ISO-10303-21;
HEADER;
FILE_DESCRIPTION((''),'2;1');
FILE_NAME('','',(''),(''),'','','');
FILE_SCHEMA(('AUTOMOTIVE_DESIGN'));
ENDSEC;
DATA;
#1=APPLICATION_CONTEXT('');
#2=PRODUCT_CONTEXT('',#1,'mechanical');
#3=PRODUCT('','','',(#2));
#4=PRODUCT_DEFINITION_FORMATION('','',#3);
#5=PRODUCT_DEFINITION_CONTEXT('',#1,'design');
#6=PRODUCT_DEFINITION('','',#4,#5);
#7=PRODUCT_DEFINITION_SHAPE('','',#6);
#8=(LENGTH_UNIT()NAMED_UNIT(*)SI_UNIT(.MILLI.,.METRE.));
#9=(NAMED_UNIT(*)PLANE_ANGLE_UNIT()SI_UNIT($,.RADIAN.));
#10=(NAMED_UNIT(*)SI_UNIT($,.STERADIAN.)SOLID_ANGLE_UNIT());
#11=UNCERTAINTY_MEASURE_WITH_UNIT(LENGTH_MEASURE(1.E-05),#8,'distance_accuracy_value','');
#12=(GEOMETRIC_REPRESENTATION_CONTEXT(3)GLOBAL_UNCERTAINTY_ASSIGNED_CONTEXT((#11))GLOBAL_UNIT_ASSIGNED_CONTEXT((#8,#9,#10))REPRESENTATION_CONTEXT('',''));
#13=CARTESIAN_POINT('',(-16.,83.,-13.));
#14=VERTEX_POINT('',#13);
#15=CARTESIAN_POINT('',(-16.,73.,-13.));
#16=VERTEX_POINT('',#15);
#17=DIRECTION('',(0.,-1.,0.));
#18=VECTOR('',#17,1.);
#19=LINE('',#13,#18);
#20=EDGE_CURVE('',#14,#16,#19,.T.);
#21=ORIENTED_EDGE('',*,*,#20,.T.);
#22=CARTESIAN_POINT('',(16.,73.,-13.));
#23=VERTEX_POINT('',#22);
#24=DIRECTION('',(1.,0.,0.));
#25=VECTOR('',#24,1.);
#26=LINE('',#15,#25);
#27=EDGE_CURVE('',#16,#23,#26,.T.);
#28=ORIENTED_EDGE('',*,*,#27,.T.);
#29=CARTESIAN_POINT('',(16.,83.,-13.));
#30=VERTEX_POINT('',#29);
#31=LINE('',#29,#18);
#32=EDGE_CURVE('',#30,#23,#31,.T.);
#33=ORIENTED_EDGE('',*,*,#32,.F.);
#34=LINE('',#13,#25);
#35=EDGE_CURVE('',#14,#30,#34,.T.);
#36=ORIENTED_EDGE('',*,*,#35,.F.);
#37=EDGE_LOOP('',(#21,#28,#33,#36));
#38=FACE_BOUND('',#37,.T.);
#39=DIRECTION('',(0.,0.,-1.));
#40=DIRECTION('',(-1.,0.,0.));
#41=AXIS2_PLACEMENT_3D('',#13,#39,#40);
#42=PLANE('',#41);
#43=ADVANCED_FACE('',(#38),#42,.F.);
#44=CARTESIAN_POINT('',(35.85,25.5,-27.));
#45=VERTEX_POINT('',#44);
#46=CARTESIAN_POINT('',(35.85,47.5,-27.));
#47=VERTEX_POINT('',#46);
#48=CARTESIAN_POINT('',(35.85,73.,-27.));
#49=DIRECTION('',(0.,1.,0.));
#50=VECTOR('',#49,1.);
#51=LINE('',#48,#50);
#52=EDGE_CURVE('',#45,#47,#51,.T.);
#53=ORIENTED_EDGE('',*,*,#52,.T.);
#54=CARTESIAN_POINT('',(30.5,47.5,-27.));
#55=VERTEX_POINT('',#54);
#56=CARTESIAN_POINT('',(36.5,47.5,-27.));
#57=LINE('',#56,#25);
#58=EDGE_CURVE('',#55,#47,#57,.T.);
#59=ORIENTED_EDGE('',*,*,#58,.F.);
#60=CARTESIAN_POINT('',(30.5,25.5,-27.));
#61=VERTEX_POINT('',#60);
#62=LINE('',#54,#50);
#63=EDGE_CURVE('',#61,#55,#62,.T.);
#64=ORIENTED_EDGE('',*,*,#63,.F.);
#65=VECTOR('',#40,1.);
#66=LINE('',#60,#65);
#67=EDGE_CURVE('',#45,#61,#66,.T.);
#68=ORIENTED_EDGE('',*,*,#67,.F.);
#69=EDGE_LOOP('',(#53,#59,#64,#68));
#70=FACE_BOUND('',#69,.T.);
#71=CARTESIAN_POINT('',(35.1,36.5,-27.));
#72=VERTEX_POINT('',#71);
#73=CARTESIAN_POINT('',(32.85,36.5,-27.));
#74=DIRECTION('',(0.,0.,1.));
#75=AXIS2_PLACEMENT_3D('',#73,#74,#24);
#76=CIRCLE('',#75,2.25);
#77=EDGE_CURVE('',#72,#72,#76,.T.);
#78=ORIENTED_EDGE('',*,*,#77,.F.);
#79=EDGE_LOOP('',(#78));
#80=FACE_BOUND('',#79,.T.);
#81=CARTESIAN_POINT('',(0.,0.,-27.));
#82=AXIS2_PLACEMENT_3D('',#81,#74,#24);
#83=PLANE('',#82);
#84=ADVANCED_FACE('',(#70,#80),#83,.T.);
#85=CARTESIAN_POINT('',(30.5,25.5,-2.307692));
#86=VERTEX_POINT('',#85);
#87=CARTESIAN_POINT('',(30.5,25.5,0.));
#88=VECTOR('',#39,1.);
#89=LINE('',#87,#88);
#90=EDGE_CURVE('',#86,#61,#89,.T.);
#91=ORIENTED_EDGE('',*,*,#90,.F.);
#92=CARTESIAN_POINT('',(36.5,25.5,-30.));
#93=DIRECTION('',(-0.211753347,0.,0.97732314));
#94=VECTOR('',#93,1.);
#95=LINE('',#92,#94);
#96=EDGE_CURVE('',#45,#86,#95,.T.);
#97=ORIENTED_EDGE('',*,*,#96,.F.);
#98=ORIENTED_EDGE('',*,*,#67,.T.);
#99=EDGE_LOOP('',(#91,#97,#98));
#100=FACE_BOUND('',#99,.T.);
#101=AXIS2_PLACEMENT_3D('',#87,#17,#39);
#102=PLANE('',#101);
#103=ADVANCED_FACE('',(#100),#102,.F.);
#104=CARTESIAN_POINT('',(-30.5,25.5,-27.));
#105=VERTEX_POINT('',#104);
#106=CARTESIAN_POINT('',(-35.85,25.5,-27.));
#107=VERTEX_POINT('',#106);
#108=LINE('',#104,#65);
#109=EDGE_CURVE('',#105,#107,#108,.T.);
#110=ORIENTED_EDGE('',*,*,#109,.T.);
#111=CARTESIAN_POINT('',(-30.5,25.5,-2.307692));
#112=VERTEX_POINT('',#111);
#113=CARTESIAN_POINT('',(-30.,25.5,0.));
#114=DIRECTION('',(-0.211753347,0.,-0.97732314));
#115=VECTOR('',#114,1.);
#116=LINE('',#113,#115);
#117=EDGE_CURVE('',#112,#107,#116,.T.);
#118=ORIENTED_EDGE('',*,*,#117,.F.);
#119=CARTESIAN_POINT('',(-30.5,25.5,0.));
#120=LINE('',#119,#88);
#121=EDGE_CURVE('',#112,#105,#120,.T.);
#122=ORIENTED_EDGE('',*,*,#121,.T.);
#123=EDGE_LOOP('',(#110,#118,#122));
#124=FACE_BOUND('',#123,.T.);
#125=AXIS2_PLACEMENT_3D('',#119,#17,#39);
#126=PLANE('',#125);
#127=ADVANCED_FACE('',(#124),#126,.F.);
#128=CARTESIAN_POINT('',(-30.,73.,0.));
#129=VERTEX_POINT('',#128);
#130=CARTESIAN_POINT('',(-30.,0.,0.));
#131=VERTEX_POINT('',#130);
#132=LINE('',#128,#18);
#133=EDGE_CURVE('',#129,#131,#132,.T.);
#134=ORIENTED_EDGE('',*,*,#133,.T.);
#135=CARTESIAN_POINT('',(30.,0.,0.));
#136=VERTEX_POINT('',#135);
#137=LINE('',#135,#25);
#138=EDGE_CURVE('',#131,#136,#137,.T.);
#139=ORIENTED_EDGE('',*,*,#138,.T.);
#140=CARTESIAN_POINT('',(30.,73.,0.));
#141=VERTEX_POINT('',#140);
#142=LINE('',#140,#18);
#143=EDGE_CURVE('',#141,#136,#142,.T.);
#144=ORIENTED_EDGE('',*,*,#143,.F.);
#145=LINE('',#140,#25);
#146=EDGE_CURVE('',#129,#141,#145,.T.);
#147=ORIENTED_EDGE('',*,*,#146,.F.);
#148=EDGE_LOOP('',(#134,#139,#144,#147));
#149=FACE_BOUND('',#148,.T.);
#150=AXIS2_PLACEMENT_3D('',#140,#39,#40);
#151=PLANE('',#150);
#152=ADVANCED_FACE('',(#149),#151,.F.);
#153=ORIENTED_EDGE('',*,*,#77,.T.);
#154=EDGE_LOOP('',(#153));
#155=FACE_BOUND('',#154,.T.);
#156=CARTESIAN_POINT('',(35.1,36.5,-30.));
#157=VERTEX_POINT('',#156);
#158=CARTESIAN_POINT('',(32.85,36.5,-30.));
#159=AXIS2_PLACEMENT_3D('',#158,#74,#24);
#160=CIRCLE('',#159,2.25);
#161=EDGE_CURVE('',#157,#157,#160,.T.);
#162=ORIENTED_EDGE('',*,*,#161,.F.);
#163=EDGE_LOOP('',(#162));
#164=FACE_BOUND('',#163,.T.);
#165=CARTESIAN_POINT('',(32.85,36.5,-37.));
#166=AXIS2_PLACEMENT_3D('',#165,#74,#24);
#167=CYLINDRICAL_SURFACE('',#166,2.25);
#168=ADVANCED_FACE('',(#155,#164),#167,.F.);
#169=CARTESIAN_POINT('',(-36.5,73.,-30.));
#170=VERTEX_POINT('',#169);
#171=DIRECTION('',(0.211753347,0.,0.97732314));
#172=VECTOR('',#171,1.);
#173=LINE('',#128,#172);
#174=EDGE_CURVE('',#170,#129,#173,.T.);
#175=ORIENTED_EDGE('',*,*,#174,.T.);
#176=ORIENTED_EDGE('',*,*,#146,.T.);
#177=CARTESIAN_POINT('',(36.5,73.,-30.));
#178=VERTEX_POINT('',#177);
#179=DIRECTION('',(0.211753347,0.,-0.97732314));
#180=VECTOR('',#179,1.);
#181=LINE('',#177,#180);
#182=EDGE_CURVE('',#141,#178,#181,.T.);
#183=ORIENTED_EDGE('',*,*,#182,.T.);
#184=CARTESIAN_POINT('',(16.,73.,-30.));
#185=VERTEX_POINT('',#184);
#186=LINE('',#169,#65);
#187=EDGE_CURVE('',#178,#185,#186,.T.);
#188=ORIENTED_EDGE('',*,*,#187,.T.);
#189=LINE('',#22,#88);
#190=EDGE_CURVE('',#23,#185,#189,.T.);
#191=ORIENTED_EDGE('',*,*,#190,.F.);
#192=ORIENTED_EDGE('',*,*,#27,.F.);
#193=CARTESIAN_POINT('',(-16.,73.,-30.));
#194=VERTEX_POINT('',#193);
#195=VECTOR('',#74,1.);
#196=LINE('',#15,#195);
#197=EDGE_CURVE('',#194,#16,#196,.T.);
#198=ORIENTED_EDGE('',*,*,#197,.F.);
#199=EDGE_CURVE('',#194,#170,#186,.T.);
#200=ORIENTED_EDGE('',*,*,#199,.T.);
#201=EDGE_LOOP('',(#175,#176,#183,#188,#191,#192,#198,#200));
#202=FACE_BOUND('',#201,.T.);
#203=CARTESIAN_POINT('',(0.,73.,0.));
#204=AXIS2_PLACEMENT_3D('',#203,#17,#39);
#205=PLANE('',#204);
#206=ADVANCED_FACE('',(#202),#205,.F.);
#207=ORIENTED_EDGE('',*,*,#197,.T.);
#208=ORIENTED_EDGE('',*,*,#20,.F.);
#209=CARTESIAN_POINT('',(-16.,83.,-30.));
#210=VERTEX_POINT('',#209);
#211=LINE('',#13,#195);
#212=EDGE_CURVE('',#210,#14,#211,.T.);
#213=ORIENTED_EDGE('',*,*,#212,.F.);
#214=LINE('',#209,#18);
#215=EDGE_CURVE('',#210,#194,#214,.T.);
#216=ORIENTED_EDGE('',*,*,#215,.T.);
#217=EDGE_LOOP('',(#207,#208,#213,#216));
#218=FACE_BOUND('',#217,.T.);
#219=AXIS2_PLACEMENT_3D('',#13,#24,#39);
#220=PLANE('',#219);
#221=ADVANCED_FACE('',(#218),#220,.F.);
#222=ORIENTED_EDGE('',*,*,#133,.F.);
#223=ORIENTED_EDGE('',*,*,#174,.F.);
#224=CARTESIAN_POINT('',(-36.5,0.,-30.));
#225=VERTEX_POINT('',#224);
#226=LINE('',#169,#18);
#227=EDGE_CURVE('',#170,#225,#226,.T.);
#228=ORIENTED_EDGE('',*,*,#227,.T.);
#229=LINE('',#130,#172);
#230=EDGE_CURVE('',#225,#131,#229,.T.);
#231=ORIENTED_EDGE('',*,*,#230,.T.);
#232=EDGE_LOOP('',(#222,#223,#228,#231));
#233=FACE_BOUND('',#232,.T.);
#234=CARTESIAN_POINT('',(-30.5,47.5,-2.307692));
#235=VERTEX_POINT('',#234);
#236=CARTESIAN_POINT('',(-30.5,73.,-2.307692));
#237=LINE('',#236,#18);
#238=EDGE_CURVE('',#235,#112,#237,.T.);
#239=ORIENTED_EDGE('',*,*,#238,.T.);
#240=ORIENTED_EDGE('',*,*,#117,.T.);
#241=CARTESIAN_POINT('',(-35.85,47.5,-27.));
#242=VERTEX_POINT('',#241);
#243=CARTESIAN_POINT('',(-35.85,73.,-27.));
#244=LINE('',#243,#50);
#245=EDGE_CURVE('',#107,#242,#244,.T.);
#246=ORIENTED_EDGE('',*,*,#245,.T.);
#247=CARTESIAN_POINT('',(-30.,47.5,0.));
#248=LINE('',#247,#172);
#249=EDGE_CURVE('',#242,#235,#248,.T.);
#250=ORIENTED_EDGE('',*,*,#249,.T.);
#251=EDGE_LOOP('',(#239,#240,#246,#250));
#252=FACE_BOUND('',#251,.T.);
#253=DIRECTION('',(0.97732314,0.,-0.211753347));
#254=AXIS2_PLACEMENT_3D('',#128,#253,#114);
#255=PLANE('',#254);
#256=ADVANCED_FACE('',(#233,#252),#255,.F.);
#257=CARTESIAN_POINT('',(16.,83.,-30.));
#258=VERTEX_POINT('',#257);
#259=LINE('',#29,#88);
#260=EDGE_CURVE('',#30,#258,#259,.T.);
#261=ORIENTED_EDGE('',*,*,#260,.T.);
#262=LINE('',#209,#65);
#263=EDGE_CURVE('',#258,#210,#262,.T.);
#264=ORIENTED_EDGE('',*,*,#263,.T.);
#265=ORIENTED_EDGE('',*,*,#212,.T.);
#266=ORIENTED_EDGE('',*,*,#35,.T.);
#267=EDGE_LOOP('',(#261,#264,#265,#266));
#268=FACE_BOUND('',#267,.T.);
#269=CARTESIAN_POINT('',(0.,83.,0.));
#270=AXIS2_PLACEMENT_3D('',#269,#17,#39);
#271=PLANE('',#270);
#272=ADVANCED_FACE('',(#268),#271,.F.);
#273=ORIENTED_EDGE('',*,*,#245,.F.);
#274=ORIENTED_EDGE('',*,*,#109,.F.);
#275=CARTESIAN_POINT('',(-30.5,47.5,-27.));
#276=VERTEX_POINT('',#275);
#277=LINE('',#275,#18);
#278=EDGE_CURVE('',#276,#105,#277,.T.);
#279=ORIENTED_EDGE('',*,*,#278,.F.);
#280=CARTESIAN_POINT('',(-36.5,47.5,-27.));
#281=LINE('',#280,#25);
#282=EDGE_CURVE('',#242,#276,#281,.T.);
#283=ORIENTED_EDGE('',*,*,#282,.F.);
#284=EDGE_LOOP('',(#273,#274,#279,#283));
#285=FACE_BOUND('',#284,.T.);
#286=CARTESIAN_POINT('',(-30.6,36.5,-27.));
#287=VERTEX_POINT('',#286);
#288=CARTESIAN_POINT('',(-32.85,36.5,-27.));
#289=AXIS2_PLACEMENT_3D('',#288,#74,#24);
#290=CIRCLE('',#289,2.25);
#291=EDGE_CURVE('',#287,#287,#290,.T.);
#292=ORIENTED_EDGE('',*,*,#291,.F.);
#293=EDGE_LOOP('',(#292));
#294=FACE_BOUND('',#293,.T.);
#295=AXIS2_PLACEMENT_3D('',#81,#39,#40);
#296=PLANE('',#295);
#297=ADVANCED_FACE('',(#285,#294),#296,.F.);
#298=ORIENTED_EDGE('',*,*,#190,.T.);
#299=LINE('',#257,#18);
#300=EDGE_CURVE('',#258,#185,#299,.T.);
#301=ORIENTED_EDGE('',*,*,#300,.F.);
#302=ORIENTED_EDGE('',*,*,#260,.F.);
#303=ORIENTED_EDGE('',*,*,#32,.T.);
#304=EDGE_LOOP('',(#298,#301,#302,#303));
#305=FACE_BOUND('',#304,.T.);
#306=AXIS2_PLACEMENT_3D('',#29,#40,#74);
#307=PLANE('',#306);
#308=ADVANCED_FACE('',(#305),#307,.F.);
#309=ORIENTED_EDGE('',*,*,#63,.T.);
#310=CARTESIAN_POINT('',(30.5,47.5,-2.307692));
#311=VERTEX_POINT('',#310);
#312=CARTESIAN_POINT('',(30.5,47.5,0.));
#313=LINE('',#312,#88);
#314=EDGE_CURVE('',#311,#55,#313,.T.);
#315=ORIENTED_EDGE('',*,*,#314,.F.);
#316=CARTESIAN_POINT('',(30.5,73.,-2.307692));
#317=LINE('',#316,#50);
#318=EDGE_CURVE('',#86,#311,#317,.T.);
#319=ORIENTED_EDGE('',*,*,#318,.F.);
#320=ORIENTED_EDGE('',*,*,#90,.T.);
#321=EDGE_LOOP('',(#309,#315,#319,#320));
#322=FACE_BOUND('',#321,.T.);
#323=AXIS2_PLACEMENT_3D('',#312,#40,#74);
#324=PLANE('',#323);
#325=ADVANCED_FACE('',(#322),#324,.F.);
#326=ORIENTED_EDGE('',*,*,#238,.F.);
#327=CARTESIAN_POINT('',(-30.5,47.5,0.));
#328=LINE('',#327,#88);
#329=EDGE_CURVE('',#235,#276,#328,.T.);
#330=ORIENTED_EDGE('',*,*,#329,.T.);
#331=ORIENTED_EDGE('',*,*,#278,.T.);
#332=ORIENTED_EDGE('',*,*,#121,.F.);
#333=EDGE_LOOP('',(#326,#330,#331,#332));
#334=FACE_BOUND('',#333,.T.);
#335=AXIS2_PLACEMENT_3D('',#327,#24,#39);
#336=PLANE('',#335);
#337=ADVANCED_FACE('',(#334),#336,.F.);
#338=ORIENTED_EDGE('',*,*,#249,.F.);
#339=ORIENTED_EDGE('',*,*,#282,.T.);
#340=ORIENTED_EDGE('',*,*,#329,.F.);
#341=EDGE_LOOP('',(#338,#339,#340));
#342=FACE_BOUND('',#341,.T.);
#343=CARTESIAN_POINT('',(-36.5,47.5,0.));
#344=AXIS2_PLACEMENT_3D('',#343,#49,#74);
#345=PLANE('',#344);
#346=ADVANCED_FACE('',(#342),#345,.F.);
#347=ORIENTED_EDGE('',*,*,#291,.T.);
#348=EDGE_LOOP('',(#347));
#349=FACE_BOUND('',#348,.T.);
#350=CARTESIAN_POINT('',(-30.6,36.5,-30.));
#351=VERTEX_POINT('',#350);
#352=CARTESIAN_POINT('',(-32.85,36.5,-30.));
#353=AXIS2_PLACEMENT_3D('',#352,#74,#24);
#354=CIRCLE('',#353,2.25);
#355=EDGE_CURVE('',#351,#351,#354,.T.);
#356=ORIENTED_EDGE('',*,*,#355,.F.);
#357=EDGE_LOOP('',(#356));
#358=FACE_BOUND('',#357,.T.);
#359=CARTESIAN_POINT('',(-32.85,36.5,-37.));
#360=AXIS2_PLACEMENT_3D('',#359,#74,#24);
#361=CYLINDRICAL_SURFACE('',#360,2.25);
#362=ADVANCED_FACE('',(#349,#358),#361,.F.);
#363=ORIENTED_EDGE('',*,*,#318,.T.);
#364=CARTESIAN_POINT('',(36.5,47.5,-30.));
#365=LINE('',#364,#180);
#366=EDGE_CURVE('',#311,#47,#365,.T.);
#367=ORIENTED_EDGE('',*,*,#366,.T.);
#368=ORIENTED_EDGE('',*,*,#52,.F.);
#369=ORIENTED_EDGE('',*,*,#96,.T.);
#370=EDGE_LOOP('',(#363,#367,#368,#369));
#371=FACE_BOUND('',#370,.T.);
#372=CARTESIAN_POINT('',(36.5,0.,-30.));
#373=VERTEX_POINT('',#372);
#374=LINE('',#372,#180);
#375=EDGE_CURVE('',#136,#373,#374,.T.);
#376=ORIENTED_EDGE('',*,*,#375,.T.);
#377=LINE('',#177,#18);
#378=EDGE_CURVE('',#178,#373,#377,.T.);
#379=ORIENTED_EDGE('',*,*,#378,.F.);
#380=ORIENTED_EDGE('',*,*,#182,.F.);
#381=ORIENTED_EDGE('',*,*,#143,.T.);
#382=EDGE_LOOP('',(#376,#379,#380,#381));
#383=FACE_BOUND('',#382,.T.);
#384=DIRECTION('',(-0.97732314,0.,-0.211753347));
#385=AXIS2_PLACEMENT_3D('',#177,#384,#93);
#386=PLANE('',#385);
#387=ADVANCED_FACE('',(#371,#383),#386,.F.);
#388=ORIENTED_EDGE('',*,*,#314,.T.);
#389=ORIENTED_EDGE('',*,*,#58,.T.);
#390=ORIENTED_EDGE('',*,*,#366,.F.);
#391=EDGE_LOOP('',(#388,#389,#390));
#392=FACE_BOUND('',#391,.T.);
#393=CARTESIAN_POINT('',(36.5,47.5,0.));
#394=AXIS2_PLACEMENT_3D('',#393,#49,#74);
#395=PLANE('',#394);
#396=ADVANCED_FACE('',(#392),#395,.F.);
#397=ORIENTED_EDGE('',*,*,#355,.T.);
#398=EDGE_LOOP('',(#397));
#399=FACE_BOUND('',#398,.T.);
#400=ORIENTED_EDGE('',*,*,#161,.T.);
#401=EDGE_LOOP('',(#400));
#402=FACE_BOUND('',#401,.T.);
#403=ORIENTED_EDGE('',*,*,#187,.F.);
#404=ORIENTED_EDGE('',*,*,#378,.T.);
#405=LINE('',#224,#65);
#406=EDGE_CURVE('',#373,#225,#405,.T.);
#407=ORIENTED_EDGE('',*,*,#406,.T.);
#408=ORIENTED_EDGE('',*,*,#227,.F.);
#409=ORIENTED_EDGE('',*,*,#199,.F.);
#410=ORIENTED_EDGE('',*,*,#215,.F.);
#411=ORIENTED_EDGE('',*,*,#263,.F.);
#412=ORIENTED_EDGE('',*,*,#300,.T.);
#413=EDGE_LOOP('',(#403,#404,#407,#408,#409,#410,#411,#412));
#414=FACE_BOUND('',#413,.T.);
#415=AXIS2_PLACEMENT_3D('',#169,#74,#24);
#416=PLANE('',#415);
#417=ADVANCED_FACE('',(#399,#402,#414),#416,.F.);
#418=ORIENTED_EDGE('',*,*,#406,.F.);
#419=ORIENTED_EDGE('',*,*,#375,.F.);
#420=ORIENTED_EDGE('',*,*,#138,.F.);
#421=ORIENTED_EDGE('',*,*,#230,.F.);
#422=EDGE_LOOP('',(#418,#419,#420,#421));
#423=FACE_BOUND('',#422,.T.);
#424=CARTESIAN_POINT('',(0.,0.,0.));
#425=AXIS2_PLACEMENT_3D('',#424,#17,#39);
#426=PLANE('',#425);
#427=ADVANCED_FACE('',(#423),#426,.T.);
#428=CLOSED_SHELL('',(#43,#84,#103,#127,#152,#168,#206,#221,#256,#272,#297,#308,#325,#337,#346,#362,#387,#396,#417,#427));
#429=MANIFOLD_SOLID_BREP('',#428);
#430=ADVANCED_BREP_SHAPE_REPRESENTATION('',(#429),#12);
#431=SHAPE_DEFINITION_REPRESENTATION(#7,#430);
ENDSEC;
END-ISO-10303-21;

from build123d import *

# Parameters (mm, degrees)
EXTRUDE_1_DEPTH     = 73
SKETCH_2_W          = 32
SKETCH_2_H          = 17
EXTRUDE_2_DEPTH     = 10
SKETCH_3_W          = 6
SKETCH_3_H          = 22
CUT_EXTRUDE_1_DEPTH = 95.605760924
SKETCH_4_R          = 2.25
CUT_EXTRUDE_2_DEPTH = 10


with BuildPart() as part:
    # 草图1 → 凸台-拉伸1 (new body)
    with BuildSketch(Plane(origin=(0, 0, 0), x_dir=(1, 0, 0), z_dir=(0, 1, 0))):
        Polygon((-36.5, 30), (36.5, 30), (30, 0), (-30, 0), align=None)
    extrude(amount=EXTRUDE_1_DEPTH)

    # 草图2 → 凸台-拉伸2 (add)
    with BuildSketch(Plane(origin=(0, 73, 0), x_dir=(1, 0, 0), z_dir=(0, 1, 0))):
        with Locations((0, 21.5)):
            Rectangle(SKETCH_2_W, SKETCH_2_H)
    extrude(amount=EXTRUDE_2_DEPTH)

    # 草图3 → 切除-拉伸1 (cut, through all)
    with BuildSketch(Plane(origin=(0, 0, -27), x_dir=(-1, 0, 0), z_dir=(0, 0, -1))):
        with Locations((-33.5, 36.5)):
            Rectangle(SKETCH_3_W, SKETCH_3_H)
        with Locations((33.5, 36.5)):
            Rectangle(SKETCH_3_W, SKETCH_3_H)
    extrude(amount=-CUT_EXTRUDE_1_DEPTH, mode=Mode.SUBTRACT)

    # 草图4 → 切除-拉伸2 (cut)
    with BuildSketch(Plane.XY.offset(-27)):
        with Locations((32.85, 36.5)):
            Circle(SKETCH_4_R)
        with Locations((-32.85, 36.5)):
            Circle(SKETCH_4_R)
    extrude(amount=-CUT_EXTRUDE_2_DEPTH, mode=Mode.SUBTRACT)


solid = part.part
